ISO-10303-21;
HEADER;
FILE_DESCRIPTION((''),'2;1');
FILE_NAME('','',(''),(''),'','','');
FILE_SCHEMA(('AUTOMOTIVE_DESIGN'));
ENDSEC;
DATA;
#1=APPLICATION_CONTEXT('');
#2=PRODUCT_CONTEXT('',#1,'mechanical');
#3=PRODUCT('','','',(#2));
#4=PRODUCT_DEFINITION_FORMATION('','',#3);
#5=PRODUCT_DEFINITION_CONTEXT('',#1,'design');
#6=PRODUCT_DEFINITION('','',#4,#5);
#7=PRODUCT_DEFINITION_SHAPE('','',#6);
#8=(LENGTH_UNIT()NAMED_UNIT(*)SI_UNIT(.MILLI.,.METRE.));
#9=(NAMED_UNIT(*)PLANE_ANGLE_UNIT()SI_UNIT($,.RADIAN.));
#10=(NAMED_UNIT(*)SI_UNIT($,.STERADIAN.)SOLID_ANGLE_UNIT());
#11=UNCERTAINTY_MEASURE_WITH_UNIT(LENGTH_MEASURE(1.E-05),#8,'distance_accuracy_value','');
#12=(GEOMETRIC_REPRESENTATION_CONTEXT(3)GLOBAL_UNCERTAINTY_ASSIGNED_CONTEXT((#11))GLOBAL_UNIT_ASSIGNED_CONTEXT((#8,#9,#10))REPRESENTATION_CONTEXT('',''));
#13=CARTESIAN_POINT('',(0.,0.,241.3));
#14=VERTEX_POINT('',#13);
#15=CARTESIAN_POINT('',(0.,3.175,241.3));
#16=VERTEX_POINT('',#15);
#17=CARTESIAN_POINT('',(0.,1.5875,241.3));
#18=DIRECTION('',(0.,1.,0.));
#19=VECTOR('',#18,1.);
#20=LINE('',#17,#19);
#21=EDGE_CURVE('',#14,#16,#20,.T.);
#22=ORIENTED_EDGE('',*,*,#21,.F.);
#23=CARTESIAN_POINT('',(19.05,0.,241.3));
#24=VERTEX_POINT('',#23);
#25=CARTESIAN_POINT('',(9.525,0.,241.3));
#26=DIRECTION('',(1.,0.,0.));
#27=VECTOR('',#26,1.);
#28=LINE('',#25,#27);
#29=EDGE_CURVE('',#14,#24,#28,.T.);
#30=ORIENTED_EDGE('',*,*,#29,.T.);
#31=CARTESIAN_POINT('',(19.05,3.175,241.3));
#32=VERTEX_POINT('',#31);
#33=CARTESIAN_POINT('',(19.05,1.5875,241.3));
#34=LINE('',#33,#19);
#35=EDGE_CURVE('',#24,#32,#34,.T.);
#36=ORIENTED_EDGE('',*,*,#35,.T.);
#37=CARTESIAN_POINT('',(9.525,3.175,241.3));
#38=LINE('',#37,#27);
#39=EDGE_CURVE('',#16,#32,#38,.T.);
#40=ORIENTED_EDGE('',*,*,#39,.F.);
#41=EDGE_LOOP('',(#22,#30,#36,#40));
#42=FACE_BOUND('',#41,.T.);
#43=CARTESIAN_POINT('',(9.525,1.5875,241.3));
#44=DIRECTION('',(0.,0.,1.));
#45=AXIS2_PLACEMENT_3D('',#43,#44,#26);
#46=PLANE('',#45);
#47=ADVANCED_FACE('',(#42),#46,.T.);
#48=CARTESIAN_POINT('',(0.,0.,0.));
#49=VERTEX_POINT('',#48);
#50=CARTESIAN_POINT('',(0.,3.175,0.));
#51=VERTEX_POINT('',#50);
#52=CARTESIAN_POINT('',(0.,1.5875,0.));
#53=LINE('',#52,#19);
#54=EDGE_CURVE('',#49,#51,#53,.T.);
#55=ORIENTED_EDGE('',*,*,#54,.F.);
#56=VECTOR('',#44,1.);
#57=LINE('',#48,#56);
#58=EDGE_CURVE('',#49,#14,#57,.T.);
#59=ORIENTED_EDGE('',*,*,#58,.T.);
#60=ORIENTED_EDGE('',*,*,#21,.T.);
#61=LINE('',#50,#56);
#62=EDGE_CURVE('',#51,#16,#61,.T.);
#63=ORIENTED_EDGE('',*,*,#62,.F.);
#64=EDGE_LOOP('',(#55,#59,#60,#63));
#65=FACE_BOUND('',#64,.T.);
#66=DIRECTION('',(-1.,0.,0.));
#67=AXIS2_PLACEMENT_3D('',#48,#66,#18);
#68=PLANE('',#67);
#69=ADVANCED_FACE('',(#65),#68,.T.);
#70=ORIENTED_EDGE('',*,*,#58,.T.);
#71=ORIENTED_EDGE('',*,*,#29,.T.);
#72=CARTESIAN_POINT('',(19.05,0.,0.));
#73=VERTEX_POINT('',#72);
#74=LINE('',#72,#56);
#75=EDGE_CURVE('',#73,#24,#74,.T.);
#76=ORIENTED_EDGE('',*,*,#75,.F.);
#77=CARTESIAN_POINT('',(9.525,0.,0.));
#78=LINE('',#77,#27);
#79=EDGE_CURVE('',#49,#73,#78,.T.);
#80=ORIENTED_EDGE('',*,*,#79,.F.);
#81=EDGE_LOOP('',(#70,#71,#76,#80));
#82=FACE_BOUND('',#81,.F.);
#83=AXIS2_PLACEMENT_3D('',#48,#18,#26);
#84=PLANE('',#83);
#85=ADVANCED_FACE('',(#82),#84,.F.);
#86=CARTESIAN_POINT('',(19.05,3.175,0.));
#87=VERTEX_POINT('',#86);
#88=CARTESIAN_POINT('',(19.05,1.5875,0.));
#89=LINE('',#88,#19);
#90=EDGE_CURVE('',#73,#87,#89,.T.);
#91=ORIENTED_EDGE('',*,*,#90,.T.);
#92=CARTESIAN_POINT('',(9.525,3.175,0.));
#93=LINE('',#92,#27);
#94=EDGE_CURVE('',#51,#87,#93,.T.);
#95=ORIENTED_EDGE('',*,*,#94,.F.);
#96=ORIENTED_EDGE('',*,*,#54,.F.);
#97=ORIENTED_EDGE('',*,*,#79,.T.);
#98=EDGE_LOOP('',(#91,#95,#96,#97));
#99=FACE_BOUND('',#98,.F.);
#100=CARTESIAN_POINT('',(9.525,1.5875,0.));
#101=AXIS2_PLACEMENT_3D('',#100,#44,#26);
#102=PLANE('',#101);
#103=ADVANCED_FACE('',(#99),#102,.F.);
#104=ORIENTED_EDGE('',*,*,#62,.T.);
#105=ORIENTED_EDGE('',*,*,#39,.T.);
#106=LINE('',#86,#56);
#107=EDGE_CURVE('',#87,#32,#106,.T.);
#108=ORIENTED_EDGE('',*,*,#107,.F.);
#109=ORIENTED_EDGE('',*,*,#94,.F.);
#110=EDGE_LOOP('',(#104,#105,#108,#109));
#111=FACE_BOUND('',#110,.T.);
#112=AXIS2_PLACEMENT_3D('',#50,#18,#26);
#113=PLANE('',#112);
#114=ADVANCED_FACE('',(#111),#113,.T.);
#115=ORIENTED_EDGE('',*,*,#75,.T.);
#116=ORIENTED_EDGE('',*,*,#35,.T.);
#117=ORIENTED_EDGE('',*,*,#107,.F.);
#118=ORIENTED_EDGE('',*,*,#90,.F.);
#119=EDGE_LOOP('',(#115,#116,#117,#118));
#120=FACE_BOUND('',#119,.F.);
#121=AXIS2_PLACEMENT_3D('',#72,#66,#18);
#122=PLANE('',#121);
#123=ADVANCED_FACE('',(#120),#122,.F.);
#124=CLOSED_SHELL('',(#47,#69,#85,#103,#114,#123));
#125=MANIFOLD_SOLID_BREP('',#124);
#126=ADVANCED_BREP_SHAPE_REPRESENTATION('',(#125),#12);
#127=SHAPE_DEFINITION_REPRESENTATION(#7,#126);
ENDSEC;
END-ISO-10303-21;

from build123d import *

# Parameters (mm, degrees)
SKETCH1_W           = 19.05
SKETCH1_H           = 3.175
BOSS_EXTRUDE1_DEPTH = 241.3


with BuildPart() as part:
    # Sketch1 → Boss-Extrude1 (new body)
    with BuildSketch(Plane.XY):
        with Locations((9.525, 1.5875)):
            Rectangle(SKETCH1_W, SKETCH1_H)
    extrude(amount=BOSS_EXTRUDE1_DEPTH)


solid = part.part
